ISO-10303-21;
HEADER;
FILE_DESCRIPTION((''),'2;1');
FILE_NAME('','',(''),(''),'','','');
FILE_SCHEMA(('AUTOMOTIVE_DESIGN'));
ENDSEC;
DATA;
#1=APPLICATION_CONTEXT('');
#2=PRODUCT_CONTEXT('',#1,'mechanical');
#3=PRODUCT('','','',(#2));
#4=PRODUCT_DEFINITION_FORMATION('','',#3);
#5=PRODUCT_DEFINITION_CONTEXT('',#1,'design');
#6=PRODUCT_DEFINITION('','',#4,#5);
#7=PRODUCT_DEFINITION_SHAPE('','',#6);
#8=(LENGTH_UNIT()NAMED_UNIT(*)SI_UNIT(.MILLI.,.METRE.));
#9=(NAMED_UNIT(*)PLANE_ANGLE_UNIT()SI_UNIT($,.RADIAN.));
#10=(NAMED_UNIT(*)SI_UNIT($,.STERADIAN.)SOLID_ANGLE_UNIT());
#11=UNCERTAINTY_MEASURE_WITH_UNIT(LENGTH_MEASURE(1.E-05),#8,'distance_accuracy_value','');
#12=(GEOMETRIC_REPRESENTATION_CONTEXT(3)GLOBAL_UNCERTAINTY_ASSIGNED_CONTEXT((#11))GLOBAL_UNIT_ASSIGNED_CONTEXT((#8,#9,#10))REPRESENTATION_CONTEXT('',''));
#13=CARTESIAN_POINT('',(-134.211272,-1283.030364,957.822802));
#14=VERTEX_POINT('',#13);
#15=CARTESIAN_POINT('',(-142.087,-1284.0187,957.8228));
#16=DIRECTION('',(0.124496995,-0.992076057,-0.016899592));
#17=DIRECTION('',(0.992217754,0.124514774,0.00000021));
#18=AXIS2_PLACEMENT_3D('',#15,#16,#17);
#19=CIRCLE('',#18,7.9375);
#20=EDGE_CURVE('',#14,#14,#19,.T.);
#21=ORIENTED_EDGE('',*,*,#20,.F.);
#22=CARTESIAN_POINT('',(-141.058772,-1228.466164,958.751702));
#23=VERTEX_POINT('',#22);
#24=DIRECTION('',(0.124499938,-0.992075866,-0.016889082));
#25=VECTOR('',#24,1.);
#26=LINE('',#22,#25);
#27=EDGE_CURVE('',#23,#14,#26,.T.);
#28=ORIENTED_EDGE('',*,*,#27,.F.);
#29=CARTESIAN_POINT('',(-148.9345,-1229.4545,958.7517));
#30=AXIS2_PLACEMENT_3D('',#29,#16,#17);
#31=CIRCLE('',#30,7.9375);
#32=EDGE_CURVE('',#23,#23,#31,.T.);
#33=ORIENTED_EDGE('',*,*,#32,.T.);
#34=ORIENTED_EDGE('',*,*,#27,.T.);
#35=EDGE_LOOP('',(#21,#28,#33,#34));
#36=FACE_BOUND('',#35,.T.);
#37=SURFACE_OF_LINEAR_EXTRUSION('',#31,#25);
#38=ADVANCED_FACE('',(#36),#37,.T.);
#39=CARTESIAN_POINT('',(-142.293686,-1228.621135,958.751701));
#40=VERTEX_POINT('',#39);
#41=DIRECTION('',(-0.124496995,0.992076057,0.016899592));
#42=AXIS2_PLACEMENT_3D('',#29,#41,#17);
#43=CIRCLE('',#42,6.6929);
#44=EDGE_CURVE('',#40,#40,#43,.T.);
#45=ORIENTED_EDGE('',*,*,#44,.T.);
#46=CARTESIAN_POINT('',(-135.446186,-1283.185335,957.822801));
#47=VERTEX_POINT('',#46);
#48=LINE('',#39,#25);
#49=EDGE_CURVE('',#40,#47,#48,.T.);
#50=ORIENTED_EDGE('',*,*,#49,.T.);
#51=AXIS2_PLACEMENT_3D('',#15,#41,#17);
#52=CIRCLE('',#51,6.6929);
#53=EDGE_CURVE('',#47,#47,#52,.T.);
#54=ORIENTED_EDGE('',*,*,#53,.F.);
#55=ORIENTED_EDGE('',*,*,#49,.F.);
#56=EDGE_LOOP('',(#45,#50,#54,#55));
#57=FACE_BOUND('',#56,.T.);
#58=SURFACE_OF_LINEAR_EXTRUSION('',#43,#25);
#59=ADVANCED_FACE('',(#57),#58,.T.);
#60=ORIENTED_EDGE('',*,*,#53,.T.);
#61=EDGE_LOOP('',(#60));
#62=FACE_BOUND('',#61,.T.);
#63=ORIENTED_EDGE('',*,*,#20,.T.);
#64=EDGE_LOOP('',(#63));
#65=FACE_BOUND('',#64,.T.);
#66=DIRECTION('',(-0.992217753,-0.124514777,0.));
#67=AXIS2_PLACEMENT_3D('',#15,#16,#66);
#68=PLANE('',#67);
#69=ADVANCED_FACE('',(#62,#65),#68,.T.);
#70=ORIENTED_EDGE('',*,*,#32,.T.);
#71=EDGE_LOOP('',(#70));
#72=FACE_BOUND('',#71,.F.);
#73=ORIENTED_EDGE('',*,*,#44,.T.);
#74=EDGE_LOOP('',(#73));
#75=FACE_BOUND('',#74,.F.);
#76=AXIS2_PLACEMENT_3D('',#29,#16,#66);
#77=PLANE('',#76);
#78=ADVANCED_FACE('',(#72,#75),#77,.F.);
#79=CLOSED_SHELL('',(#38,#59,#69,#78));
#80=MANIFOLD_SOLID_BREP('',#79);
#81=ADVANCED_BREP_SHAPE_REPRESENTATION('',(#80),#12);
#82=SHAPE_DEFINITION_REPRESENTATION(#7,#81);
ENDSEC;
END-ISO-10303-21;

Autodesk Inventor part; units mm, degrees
ref_plane "YZ Plane" through (0, 0, 0) normal (1, 0, 0) x (0, 1, 0)
ref_plane "XZ Plane" through (0, 0, 0) normal (0, 1, 0) x (-1, 0, 0)
ref_plane "Work Plane5" through (-148.9345, -1229.4545, 958.7517) normal (0.1245, -0.9921, -0.0169) x (0.9922, 0.1245, 0)
sketch "Sketch7" plane through (-148.9345, -1229.4545, 958.7517) normal (0.1245, -0.9921, -0.0169) x (0.9922, 0.1245, 0)
  circle A0 centre (0, 0) radius 7.9375
  circle A1 centre (0, 0) radius 6.6929
sketch3d "3D Sketch5"
  line L0 (-148.9345, -1229.4545, 958.7517) -> (-142.087, -1284.0187, 957.8228)
sweep "Sweep5" add profiles "Sketch7" path "3D Sketch5"
equation "\"OD\" = 15.875"
equation "\"t\" = 1.2446"
equation "\"L\" = PL"
equation "\"ID\" = 13.3858"
equation "\"PL\" = 54.991"
equation "\"Size_Designation\" = 1.2345"
properties material "Copper"
